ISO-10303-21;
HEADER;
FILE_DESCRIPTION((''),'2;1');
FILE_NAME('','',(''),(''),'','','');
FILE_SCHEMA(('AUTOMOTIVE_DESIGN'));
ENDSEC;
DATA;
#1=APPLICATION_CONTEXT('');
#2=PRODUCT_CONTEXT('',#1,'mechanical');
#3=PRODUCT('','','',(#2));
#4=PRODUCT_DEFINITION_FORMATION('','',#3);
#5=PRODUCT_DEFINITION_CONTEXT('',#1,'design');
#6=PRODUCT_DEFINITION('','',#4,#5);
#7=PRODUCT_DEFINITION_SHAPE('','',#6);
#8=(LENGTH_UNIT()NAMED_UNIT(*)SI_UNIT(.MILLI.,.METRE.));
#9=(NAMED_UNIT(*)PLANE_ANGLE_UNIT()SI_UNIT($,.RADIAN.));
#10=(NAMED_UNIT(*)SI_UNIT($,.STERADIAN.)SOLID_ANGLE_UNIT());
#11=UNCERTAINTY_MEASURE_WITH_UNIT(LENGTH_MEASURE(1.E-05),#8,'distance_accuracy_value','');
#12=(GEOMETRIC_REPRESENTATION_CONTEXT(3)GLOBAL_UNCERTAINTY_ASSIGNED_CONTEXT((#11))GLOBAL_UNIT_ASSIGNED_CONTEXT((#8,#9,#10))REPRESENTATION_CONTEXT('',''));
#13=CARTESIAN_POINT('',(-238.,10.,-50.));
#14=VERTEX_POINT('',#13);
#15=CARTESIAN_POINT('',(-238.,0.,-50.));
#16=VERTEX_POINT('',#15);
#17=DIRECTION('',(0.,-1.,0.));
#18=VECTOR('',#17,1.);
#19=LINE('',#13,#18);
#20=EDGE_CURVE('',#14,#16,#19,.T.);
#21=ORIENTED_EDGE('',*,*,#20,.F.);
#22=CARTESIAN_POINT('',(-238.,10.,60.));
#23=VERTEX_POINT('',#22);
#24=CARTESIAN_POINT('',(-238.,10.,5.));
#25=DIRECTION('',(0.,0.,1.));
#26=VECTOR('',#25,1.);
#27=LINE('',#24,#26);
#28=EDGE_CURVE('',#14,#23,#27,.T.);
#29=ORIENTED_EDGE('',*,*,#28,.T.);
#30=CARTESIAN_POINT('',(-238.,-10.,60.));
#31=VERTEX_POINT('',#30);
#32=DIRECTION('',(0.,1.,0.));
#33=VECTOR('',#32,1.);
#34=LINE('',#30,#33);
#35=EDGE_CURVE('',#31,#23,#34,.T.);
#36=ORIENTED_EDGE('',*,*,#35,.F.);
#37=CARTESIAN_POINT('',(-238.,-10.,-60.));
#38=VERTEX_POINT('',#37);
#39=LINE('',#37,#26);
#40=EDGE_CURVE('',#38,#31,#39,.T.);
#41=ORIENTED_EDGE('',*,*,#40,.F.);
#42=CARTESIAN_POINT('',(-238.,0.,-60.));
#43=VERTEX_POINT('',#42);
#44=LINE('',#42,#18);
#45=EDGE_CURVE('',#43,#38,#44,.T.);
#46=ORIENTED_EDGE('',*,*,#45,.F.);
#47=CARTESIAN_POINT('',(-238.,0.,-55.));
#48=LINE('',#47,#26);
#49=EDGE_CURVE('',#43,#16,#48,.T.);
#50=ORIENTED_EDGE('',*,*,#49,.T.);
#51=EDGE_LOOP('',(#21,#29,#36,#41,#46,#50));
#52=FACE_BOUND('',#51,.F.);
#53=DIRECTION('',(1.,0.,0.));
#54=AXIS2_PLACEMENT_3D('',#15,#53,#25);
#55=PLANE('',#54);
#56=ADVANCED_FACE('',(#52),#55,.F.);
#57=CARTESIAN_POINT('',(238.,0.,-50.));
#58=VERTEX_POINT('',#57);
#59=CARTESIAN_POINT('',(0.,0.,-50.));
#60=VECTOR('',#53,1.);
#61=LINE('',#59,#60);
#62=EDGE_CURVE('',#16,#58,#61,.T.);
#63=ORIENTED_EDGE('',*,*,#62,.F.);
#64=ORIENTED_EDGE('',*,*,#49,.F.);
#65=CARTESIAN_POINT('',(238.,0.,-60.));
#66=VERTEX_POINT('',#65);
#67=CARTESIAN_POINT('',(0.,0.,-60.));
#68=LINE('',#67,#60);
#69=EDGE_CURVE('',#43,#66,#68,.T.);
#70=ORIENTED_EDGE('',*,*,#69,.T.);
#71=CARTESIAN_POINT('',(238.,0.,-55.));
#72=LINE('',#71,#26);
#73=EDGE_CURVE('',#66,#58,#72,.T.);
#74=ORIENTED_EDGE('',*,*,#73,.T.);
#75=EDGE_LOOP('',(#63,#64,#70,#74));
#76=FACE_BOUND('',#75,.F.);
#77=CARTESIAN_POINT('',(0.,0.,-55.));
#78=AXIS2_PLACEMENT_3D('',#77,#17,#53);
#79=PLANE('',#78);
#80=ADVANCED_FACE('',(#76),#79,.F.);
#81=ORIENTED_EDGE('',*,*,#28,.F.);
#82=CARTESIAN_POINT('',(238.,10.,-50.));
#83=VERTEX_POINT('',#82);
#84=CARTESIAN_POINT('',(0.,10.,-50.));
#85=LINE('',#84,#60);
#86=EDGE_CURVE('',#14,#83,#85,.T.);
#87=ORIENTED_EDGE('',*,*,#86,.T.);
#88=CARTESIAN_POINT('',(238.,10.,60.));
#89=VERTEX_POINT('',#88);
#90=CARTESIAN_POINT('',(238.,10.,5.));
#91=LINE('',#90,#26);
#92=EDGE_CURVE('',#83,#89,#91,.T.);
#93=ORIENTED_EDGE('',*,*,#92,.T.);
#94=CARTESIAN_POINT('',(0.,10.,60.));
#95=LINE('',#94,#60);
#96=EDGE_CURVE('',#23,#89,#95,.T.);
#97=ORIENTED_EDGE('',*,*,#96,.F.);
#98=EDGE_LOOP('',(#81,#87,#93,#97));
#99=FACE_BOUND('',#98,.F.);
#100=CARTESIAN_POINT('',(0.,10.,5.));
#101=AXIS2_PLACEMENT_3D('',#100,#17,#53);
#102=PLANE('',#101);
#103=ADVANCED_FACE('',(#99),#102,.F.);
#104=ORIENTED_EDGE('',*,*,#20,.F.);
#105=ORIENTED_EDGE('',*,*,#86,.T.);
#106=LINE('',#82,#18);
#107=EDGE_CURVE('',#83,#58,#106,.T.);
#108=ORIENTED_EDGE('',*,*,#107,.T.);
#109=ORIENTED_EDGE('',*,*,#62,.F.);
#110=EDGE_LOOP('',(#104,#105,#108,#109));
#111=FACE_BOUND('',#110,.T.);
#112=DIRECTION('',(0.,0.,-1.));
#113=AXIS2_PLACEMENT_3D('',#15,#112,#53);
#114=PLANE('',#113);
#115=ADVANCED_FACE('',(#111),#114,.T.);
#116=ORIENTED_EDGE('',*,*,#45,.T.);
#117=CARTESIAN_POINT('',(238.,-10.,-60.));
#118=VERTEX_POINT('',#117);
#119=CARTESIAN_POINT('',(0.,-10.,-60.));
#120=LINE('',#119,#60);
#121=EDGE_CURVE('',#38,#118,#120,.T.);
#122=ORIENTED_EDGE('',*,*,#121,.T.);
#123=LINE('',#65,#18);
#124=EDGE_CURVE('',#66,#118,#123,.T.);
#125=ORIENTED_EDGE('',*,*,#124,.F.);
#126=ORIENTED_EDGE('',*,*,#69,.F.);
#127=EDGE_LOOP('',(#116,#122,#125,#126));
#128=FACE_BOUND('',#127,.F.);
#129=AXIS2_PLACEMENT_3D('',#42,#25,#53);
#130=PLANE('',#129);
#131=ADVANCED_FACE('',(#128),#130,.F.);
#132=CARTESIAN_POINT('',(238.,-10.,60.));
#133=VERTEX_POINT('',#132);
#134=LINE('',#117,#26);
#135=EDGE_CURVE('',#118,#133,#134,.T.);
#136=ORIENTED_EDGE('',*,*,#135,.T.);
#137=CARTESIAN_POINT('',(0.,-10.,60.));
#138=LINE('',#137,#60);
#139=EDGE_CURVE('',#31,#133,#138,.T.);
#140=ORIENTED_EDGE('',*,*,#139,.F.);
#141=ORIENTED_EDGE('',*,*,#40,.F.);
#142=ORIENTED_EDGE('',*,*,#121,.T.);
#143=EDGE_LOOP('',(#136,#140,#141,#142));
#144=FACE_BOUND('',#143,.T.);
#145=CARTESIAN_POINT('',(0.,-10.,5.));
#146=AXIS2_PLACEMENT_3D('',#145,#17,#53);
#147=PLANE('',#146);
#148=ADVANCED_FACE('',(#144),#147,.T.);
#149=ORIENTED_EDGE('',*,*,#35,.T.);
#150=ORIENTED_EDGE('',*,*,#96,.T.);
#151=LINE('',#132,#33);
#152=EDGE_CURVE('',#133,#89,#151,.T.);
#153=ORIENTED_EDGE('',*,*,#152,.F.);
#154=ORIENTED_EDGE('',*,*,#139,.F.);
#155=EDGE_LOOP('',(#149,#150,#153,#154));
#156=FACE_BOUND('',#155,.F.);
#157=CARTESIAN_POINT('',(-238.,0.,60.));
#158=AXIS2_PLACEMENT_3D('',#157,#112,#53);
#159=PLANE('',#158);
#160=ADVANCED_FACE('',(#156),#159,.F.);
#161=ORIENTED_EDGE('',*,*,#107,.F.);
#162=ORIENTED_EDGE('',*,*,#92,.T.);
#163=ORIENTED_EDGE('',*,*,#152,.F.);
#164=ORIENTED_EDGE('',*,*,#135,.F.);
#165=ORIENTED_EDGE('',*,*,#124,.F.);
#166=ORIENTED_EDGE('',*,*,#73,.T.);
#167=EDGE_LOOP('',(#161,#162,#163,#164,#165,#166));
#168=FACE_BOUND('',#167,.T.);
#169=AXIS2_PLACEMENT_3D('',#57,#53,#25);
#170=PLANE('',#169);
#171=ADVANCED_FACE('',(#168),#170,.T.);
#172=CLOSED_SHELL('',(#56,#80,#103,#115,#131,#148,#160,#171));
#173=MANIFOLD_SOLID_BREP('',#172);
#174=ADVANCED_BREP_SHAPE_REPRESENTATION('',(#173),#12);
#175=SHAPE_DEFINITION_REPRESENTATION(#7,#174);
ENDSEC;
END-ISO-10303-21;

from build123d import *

# Parameters (mm, degrees)
F0_W     = 476
F0_H     = 10
F1_DEPTH = 10
F0_H_2   = 110
F2_DEPTH = 10


with BuildPart() as f1:
    # F0 (on Front) → F1 (new body)
    with BuildSketch(Plane.XZ):
        with Locations((0, -55)):
            Rectangle(F0_W, F0_H)
    extrude(amount=F1_DEPTH)

    # F0 (on Front) → F2 (join, symmetric)
    with BuildSketch(Plane.XZ):
        with Locations((0, 5)):
            Rectangle(F0_W, F0_H_2)
    extrude(amount=F2_DEPTH, both=True)


solid = f1.part
